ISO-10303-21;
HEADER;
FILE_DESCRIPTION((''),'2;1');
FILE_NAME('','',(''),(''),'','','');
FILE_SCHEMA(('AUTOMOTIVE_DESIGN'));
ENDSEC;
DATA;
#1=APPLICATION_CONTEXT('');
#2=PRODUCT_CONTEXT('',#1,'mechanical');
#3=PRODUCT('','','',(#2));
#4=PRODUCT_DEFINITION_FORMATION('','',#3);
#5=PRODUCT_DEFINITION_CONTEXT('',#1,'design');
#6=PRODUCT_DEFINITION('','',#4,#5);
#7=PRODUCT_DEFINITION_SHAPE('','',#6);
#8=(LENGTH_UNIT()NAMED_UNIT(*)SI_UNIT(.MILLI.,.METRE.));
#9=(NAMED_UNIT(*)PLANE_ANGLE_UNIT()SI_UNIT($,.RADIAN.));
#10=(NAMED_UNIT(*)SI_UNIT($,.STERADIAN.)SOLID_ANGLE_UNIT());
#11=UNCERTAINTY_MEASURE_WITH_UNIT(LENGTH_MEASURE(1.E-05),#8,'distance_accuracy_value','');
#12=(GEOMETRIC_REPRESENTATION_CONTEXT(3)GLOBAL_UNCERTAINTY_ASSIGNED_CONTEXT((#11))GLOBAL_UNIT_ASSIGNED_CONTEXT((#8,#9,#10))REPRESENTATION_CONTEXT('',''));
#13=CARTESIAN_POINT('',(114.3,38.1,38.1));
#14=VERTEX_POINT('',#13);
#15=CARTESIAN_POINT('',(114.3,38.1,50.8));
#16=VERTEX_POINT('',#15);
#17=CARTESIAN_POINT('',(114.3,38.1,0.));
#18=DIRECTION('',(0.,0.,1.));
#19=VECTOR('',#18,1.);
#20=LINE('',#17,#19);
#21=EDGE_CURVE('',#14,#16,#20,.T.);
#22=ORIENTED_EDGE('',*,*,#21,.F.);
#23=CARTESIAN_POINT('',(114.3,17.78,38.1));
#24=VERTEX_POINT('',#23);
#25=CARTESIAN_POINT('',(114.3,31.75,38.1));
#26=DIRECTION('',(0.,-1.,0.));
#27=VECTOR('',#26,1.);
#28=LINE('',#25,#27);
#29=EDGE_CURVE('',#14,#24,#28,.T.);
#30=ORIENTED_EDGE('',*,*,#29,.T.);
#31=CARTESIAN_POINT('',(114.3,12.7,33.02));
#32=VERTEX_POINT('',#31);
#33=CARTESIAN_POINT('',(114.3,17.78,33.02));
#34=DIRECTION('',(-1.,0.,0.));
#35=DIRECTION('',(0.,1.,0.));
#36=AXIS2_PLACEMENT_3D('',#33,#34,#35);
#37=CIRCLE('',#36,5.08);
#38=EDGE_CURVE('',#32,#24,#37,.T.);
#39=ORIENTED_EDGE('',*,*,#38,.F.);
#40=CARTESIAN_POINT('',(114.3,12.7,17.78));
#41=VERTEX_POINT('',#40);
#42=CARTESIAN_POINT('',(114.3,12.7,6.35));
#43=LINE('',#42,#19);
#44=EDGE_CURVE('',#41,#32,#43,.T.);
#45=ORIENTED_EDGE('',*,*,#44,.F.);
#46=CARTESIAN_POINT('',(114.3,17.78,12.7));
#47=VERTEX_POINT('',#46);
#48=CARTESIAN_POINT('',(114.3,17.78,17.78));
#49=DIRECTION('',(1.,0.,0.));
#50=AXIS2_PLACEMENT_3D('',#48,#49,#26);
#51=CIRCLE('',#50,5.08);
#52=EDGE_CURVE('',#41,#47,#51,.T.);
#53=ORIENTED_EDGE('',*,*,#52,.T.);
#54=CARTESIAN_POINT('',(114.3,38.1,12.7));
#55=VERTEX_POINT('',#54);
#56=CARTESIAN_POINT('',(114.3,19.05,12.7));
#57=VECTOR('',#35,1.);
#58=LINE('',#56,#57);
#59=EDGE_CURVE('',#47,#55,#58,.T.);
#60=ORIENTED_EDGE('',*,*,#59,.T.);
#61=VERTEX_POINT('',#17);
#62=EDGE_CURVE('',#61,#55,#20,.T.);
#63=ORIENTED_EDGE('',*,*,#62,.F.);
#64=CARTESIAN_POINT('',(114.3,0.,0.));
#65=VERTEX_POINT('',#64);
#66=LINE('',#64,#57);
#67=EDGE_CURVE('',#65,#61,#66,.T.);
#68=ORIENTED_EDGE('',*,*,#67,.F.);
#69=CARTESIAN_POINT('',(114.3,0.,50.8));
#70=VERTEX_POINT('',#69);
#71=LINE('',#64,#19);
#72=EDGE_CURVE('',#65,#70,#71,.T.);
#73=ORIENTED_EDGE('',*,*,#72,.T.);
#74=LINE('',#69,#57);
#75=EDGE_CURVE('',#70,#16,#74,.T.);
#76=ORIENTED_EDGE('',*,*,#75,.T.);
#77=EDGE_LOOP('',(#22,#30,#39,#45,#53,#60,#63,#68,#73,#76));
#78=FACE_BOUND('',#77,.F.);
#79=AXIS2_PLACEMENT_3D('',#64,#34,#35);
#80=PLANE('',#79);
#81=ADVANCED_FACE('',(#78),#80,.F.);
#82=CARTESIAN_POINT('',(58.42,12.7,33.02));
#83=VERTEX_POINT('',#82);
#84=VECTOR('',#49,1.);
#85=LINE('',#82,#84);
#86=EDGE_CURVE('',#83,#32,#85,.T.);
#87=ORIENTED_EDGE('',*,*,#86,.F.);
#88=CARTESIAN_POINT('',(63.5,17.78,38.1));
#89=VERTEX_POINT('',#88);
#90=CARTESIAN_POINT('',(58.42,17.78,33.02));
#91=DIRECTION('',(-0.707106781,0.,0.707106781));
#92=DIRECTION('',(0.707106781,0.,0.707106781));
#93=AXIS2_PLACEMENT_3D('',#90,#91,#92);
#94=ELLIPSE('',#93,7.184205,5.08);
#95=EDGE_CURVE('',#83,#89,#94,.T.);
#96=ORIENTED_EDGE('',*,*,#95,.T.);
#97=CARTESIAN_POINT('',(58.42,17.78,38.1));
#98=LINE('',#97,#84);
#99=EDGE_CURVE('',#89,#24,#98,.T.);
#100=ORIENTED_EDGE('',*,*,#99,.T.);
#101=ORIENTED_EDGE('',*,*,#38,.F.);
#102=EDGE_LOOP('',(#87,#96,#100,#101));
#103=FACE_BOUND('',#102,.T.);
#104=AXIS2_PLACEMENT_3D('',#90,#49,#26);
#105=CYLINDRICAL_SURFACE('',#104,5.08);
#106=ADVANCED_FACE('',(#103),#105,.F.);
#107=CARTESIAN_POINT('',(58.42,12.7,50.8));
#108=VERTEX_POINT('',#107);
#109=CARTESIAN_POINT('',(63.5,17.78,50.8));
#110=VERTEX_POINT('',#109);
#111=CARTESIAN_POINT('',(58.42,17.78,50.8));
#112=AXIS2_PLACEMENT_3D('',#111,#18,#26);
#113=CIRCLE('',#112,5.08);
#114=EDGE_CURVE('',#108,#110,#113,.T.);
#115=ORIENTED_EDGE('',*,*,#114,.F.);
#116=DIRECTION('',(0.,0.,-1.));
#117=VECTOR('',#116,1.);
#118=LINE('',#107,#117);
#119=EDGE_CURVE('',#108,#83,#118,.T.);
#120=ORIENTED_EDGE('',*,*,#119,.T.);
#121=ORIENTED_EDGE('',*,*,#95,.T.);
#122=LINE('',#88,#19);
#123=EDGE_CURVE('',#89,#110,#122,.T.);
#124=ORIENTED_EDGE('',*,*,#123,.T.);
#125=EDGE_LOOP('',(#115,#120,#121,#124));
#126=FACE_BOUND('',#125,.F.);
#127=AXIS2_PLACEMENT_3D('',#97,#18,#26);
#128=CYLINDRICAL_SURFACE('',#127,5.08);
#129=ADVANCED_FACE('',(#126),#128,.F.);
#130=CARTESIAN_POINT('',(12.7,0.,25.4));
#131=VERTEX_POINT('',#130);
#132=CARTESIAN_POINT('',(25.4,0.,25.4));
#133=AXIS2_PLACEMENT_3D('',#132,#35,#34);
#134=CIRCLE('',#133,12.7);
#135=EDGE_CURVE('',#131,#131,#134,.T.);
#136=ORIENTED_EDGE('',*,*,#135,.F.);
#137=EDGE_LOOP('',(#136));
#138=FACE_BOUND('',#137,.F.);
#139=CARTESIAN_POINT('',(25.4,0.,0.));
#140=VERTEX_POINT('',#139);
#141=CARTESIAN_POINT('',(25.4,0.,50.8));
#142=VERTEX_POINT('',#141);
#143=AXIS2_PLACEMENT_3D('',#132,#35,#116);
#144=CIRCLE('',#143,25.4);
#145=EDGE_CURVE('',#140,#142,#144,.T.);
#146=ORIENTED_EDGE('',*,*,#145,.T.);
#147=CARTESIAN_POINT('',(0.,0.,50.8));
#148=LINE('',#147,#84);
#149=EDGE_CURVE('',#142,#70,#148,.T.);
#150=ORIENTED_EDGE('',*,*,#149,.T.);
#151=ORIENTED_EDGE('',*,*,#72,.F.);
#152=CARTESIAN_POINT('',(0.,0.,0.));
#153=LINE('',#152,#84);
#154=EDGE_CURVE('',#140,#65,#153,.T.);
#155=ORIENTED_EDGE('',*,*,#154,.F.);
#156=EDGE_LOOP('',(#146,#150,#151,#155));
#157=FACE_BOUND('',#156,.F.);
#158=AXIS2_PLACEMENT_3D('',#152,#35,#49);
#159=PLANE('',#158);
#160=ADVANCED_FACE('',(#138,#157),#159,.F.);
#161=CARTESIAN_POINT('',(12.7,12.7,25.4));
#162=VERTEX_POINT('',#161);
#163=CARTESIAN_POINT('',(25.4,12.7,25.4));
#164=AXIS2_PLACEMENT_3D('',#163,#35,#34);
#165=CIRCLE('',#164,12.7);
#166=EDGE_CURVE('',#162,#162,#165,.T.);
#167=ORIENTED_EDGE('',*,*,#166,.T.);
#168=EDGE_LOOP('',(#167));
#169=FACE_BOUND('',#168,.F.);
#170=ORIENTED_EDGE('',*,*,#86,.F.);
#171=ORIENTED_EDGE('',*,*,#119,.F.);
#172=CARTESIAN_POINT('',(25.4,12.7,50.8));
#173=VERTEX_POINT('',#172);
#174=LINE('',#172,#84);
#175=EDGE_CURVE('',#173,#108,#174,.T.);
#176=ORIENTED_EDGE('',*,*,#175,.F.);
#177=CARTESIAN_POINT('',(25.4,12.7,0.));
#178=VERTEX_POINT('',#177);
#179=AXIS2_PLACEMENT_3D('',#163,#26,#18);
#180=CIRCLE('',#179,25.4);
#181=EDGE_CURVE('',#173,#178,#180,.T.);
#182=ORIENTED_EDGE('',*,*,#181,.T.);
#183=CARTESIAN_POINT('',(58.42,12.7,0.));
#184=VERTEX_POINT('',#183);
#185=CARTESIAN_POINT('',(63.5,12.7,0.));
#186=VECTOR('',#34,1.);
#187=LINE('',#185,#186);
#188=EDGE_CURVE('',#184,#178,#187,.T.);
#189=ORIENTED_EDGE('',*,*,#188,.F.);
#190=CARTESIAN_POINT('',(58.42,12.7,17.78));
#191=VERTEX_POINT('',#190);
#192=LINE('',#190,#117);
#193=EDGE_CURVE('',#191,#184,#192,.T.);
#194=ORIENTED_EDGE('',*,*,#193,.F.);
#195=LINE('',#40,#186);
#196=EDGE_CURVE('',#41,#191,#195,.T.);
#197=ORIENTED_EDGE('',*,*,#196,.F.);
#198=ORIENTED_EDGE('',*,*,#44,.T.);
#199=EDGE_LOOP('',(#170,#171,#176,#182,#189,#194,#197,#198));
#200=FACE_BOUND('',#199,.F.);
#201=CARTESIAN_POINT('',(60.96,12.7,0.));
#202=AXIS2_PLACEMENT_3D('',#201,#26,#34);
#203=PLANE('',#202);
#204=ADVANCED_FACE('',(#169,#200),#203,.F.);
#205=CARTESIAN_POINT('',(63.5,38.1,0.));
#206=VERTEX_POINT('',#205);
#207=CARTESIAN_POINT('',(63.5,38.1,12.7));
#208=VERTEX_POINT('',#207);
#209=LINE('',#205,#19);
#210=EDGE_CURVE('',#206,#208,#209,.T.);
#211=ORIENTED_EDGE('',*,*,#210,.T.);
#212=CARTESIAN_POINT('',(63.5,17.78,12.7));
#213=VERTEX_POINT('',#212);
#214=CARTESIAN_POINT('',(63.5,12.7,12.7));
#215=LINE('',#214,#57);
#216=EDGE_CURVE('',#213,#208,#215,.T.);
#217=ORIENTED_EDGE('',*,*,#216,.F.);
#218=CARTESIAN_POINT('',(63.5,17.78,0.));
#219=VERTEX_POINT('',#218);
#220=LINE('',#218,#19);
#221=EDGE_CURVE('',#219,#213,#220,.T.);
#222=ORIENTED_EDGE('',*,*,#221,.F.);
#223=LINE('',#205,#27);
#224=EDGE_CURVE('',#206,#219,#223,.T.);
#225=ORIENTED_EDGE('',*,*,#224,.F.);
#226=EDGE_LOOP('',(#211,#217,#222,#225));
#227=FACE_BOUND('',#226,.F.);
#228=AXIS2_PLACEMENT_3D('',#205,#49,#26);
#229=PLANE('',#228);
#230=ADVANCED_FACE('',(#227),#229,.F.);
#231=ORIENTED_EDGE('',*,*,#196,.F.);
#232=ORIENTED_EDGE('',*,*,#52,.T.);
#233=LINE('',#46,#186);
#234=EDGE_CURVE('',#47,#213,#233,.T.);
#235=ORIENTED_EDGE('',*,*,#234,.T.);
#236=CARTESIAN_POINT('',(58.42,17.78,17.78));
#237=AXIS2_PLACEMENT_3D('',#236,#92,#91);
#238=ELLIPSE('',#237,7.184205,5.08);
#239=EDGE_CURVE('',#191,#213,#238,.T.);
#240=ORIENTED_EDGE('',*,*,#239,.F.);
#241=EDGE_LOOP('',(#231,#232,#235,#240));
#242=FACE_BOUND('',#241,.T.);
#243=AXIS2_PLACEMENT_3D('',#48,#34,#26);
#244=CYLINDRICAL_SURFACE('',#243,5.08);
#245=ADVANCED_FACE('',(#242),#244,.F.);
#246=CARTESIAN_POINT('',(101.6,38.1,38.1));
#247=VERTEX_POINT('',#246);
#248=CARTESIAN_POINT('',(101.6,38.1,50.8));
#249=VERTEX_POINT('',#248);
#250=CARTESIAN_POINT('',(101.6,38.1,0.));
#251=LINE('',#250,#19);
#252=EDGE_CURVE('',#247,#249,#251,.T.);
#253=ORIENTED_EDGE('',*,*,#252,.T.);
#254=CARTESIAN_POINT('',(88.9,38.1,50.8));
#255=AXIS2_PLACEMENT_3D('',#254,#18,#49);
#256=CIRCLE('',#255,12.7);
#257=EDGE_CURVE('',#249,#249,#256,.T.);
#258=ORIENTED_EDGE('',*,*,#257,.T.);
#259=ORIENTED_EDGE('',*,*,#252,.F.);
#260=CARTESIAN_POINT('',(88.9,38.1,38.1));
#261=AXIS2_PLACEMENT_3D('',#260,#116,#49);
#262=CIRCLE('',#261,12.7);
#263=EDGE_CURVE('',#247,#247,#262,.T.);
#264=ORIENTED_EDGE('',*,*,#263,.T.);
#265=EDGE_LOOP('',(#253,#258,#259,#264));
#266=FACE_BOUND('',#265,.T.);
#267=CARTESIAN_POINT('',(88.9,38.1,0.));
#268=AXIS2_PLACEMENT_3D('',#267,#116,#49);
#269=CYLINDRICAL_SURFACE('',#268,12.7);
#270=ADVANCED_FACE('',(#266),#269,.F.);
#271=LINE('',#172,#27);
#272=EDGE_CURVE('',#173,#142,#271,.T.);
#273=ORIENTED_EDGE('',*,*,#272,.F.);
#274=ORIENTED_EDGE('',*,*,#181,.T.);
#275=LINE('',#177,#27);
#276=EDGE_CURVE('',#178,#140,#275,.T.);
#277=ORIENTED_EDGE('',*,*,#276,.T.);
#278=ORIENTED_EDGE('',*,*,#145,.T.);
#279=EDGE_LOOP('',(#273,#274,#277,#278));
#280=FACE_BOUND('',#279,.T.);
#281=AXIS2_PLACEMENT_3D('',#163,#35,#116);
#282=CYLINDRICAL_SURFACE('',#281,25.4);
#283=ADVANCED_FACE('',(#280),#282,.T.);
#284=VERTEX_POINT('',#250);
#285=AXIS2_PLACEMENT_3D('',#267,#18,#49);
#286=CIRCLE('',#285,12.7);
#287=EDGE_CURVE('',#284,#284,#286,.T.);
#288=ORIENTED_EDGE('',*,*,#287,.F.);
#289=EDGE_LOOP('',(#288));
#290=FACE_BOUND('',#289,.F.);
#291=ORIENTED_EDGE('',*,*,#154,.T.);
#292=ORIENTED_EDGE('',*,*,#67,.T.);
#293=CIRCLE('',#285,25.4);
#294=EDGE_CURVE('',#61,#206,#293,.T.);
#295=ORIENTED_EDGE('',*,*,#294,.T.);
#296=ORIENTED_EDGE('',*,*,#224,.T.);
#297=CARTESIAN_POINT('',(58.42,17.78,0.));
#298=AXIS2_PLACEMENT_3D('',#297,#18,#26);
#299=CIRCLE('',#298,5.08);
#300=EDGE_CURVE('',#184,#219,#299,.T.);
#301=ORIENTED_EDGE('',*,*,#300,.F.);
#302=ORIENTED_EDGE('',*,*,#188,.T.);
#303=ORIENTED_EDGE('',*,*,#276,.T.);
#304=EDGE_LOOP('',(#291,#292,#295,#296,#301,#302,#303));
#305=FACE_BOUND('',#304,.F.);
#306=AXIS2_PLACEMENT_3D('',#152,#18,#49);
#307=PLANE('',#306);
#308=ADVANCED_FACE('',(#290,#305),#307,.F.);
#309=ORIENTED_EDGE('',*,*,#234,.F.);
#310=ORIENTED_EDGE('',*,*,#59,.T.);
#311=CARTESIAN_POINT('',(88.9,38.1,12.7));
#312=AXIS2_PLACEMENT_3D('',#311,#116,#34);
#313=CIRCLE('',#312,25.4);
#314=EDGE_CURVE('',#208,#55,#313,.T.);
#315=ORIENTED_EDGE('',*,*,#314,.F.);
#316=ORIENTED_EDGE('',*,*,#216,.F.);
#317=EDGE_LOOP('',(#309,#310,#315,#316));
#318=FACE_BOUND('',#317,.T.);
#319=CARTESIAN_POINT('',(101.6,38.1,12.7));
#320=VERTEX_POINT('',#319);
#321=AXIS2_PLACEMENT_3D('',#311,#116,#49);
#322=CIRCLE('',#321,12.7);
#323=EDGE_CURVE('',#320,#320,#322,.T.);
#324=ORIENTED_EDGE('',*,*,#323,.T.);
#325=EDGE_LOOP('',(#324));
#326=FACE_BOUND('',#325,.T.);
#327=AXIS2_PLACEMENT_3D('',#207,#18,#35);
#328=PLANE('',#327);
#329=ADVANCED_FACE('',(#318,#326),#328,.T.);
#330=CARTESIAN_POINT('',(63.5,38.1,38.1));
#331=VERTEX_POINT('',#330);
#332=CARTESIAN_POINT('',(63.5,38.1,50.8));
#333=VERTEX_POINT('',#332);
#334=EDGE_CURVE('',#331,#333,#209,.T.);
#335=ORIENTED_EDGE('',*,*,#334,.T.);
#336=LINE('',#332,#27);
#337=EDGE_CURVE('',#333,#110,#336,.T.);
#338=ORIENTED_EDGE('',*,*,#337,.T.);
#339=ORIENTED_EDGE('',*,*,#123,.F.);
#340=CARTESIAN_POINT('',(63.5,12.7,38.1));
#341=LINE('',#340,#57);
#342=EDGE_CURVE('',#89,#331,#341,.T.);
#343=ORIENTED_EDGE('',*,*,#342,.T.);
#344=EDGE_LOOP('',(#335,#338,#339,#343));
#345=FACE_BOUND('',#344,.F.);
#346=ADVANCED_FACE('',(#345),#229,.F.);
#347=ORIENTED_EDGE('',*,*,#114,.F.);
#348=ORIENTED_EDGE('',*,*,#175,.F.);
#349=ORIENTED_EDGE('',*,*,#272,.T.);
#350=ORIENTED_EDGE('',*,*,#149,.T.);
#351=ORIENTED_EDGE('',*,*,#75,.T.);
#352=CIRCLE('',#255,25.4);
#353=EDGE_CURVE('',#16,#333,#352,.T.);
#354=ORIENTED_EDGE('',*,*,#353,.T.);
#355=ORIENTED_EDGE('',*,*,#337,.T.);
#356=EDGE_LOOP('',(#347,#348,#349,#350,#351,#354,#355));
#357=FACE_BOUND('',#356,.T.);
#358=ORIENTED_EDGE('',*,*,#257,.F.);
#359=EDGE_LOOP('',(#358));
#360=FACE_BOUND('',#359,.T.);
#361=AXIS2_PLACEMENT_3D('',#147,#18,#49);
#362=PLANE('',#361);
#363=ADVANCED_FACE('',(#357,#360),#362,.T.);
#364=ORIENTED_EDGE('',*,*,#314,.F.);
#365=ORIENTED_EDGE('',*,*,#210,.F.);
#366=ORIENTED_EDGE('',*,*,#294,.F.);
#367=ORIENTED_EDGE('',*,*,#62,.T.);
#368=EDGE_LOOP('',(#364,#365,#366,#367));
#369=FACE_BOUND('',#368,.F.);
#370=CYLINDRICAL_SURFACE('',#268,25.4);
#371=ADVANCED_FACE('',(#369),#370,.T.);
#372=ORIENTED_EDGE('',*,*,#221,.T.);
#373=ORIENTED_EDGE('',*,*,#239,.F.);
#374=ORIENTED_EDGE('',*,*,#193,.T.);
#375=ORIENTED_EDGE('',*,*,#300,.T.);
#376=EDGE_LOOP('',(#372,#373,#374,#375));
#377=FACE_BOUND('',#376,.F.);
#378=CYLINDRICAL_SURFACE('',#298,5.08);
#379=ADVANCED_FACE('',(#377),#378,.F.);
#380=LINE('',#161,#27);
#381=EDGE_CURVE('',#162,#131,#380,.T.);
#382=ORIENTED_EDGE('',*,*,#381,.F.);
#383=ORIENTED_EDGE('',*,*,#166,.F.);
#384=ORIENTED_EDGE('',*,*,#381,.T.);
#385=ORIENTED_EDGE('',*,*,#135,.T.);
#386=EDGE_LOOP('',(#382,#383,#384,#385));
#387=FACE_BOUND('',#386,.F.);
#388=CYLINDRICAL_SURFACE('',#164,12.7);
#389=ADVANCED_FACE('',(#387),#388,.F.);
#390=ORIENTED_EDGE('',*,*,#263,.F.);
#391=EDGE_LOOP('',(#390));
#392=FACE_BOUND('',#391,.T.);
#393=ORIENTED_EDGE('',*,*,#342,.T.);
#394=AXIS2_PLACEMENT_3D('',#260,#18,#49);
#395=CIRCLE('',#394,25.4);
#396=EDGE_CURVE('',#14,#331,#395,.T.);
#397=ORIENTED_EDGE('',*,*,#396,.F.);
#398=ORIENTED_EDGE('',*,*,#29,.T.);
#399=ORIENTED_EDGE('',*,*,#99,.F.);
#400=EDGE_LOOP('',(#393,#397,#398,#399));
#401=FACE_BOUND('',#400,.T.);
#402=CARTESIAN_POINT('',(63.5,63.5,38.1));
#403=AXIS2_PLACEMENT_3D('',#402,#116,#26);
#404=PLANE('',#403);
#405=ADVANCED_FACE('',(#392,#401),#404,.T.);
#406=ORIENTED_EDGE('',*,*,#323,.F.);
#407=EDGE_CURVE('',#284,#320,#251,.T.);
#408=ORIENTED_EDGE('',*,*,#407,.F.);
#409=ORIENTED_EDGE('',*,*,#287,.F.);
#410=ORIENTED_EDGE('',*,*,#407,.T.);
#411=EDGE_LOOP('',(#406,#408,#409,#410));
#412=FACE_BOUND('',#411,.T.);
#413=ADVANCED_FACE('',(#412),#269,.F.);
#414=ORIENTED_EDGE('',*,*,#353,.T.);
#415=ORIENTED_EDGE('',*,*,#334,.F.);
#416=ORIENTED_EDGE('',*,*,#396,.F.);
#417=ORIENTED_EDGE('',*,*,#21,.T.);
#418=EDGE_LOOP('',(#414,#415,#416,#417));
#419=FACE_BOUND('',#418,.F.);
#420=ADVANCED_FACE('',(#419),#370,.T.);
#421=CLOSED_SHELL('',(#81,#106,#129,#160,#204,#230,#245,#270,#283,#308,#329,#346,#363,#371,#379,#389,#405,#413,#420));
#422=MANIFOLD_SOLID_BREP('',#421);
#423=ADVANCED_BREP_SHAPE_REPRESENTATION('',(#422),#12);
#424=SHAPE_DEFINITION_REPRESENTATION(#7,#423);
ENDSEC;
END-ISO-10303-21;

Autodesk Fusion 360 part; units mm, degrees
sketch "Sketch5" plane through (0, 0, 0) normal (0, 0, 1) x (1, 0, 0)
  line L0 (0, 0) -> (114.3, 0)
  line L1 (114.3, 0) -> (114.3, 38.1)
  line L2 (114.3, 63.5) -> (104.14, 63.5)
  line L3 (0, 12.7) -> (0, 0)
  circle A0 centre (88.9, 38.1) radius 12.7
  arc A1 (114.3, 38.1) -> (63.5, 38.1) centre (88.9, 38.1) ccw
  line L4 (63.5, 38.1) -> (63.5, 12.7)
  line L5 (63.5, 12.7) -> (60.96, 12.7)
  line L6 (60.96, 12.7) -> (0, 12.7)
  dimension "d17" = 114.3
  dimension "d18" = 63.5
  dimension "d19" = 25.4
  dimension "d21" = 25.4
  dimension "d22" = 25.4
extrude "Extrude4" add sketch "Sketch5" along normal blind 50.8
sketch "Sketch6" plane through (0, 12.7, 0) normal (0, 1, 0) x (-1, 0, 0)
  line L0 (-63.5, 0) -> (0, 0)
  line L1 (0, 0) -> (0, 50.8)
  line L2 (0, 50.8) -> (-63.5, 50.8)
  line L3 (-63.5, 50.8) -> (-63.5, 0)
  circle A0 centre (-25.4, 25.4) radius 12.7
  arc A1 (-25.4, 0) -> (-25.4, 50.8) centre (-25.4, 25.4) ccw
  dimension "d25" = 25.4
extrude "Extrude5" cut sketch "Sketch6" against normal blind 15.24 contours L0 L1 A1 | L1 L2 A1 | A0
sketch "Sketch7" plane through (63.5, 0, 0) normal (-1, 0, 0) x (0, 0, 1)
  line L0 (0, 38.1) -> (0, 12.7)
  line L1 (0, 12.7) -> (50.8, 12.7)
  line L2 (50.8, 12.7) -> (50.8, 38.1)
  line L3 (50.8, 38.1) -> (0, 38.1)
  line L4 (12.7, 63.5) -> (38.1, 63.5)
  line L5 (38.1, 63.5) -> (38.1, 12.7)
  line L6 (38.1, 12.7) -> (12.7, 12.7)
  line L7 (12.7, 12.7) -> (12.7, 63.5)
extrude "Extrude6" cut sketch "Sketch7" against normal blind 60.96 contours L3 L4 L5 L7 | L1 L3 L5 L6 L7
fillet "Fillet1" radius 5.08 1 edges at (63.5, 12.7, 44.45)
fillet "Fillet2" radius 5.08 1 edges at (63.5, 12.7, 6.35)
fillet "Fillet3" radius 5.08 1 edges at (86.36, 12.7, 12.7)
fillet "Fillet4" radius 5.08 1 edges at (86.36, 12.7, 38.1)
